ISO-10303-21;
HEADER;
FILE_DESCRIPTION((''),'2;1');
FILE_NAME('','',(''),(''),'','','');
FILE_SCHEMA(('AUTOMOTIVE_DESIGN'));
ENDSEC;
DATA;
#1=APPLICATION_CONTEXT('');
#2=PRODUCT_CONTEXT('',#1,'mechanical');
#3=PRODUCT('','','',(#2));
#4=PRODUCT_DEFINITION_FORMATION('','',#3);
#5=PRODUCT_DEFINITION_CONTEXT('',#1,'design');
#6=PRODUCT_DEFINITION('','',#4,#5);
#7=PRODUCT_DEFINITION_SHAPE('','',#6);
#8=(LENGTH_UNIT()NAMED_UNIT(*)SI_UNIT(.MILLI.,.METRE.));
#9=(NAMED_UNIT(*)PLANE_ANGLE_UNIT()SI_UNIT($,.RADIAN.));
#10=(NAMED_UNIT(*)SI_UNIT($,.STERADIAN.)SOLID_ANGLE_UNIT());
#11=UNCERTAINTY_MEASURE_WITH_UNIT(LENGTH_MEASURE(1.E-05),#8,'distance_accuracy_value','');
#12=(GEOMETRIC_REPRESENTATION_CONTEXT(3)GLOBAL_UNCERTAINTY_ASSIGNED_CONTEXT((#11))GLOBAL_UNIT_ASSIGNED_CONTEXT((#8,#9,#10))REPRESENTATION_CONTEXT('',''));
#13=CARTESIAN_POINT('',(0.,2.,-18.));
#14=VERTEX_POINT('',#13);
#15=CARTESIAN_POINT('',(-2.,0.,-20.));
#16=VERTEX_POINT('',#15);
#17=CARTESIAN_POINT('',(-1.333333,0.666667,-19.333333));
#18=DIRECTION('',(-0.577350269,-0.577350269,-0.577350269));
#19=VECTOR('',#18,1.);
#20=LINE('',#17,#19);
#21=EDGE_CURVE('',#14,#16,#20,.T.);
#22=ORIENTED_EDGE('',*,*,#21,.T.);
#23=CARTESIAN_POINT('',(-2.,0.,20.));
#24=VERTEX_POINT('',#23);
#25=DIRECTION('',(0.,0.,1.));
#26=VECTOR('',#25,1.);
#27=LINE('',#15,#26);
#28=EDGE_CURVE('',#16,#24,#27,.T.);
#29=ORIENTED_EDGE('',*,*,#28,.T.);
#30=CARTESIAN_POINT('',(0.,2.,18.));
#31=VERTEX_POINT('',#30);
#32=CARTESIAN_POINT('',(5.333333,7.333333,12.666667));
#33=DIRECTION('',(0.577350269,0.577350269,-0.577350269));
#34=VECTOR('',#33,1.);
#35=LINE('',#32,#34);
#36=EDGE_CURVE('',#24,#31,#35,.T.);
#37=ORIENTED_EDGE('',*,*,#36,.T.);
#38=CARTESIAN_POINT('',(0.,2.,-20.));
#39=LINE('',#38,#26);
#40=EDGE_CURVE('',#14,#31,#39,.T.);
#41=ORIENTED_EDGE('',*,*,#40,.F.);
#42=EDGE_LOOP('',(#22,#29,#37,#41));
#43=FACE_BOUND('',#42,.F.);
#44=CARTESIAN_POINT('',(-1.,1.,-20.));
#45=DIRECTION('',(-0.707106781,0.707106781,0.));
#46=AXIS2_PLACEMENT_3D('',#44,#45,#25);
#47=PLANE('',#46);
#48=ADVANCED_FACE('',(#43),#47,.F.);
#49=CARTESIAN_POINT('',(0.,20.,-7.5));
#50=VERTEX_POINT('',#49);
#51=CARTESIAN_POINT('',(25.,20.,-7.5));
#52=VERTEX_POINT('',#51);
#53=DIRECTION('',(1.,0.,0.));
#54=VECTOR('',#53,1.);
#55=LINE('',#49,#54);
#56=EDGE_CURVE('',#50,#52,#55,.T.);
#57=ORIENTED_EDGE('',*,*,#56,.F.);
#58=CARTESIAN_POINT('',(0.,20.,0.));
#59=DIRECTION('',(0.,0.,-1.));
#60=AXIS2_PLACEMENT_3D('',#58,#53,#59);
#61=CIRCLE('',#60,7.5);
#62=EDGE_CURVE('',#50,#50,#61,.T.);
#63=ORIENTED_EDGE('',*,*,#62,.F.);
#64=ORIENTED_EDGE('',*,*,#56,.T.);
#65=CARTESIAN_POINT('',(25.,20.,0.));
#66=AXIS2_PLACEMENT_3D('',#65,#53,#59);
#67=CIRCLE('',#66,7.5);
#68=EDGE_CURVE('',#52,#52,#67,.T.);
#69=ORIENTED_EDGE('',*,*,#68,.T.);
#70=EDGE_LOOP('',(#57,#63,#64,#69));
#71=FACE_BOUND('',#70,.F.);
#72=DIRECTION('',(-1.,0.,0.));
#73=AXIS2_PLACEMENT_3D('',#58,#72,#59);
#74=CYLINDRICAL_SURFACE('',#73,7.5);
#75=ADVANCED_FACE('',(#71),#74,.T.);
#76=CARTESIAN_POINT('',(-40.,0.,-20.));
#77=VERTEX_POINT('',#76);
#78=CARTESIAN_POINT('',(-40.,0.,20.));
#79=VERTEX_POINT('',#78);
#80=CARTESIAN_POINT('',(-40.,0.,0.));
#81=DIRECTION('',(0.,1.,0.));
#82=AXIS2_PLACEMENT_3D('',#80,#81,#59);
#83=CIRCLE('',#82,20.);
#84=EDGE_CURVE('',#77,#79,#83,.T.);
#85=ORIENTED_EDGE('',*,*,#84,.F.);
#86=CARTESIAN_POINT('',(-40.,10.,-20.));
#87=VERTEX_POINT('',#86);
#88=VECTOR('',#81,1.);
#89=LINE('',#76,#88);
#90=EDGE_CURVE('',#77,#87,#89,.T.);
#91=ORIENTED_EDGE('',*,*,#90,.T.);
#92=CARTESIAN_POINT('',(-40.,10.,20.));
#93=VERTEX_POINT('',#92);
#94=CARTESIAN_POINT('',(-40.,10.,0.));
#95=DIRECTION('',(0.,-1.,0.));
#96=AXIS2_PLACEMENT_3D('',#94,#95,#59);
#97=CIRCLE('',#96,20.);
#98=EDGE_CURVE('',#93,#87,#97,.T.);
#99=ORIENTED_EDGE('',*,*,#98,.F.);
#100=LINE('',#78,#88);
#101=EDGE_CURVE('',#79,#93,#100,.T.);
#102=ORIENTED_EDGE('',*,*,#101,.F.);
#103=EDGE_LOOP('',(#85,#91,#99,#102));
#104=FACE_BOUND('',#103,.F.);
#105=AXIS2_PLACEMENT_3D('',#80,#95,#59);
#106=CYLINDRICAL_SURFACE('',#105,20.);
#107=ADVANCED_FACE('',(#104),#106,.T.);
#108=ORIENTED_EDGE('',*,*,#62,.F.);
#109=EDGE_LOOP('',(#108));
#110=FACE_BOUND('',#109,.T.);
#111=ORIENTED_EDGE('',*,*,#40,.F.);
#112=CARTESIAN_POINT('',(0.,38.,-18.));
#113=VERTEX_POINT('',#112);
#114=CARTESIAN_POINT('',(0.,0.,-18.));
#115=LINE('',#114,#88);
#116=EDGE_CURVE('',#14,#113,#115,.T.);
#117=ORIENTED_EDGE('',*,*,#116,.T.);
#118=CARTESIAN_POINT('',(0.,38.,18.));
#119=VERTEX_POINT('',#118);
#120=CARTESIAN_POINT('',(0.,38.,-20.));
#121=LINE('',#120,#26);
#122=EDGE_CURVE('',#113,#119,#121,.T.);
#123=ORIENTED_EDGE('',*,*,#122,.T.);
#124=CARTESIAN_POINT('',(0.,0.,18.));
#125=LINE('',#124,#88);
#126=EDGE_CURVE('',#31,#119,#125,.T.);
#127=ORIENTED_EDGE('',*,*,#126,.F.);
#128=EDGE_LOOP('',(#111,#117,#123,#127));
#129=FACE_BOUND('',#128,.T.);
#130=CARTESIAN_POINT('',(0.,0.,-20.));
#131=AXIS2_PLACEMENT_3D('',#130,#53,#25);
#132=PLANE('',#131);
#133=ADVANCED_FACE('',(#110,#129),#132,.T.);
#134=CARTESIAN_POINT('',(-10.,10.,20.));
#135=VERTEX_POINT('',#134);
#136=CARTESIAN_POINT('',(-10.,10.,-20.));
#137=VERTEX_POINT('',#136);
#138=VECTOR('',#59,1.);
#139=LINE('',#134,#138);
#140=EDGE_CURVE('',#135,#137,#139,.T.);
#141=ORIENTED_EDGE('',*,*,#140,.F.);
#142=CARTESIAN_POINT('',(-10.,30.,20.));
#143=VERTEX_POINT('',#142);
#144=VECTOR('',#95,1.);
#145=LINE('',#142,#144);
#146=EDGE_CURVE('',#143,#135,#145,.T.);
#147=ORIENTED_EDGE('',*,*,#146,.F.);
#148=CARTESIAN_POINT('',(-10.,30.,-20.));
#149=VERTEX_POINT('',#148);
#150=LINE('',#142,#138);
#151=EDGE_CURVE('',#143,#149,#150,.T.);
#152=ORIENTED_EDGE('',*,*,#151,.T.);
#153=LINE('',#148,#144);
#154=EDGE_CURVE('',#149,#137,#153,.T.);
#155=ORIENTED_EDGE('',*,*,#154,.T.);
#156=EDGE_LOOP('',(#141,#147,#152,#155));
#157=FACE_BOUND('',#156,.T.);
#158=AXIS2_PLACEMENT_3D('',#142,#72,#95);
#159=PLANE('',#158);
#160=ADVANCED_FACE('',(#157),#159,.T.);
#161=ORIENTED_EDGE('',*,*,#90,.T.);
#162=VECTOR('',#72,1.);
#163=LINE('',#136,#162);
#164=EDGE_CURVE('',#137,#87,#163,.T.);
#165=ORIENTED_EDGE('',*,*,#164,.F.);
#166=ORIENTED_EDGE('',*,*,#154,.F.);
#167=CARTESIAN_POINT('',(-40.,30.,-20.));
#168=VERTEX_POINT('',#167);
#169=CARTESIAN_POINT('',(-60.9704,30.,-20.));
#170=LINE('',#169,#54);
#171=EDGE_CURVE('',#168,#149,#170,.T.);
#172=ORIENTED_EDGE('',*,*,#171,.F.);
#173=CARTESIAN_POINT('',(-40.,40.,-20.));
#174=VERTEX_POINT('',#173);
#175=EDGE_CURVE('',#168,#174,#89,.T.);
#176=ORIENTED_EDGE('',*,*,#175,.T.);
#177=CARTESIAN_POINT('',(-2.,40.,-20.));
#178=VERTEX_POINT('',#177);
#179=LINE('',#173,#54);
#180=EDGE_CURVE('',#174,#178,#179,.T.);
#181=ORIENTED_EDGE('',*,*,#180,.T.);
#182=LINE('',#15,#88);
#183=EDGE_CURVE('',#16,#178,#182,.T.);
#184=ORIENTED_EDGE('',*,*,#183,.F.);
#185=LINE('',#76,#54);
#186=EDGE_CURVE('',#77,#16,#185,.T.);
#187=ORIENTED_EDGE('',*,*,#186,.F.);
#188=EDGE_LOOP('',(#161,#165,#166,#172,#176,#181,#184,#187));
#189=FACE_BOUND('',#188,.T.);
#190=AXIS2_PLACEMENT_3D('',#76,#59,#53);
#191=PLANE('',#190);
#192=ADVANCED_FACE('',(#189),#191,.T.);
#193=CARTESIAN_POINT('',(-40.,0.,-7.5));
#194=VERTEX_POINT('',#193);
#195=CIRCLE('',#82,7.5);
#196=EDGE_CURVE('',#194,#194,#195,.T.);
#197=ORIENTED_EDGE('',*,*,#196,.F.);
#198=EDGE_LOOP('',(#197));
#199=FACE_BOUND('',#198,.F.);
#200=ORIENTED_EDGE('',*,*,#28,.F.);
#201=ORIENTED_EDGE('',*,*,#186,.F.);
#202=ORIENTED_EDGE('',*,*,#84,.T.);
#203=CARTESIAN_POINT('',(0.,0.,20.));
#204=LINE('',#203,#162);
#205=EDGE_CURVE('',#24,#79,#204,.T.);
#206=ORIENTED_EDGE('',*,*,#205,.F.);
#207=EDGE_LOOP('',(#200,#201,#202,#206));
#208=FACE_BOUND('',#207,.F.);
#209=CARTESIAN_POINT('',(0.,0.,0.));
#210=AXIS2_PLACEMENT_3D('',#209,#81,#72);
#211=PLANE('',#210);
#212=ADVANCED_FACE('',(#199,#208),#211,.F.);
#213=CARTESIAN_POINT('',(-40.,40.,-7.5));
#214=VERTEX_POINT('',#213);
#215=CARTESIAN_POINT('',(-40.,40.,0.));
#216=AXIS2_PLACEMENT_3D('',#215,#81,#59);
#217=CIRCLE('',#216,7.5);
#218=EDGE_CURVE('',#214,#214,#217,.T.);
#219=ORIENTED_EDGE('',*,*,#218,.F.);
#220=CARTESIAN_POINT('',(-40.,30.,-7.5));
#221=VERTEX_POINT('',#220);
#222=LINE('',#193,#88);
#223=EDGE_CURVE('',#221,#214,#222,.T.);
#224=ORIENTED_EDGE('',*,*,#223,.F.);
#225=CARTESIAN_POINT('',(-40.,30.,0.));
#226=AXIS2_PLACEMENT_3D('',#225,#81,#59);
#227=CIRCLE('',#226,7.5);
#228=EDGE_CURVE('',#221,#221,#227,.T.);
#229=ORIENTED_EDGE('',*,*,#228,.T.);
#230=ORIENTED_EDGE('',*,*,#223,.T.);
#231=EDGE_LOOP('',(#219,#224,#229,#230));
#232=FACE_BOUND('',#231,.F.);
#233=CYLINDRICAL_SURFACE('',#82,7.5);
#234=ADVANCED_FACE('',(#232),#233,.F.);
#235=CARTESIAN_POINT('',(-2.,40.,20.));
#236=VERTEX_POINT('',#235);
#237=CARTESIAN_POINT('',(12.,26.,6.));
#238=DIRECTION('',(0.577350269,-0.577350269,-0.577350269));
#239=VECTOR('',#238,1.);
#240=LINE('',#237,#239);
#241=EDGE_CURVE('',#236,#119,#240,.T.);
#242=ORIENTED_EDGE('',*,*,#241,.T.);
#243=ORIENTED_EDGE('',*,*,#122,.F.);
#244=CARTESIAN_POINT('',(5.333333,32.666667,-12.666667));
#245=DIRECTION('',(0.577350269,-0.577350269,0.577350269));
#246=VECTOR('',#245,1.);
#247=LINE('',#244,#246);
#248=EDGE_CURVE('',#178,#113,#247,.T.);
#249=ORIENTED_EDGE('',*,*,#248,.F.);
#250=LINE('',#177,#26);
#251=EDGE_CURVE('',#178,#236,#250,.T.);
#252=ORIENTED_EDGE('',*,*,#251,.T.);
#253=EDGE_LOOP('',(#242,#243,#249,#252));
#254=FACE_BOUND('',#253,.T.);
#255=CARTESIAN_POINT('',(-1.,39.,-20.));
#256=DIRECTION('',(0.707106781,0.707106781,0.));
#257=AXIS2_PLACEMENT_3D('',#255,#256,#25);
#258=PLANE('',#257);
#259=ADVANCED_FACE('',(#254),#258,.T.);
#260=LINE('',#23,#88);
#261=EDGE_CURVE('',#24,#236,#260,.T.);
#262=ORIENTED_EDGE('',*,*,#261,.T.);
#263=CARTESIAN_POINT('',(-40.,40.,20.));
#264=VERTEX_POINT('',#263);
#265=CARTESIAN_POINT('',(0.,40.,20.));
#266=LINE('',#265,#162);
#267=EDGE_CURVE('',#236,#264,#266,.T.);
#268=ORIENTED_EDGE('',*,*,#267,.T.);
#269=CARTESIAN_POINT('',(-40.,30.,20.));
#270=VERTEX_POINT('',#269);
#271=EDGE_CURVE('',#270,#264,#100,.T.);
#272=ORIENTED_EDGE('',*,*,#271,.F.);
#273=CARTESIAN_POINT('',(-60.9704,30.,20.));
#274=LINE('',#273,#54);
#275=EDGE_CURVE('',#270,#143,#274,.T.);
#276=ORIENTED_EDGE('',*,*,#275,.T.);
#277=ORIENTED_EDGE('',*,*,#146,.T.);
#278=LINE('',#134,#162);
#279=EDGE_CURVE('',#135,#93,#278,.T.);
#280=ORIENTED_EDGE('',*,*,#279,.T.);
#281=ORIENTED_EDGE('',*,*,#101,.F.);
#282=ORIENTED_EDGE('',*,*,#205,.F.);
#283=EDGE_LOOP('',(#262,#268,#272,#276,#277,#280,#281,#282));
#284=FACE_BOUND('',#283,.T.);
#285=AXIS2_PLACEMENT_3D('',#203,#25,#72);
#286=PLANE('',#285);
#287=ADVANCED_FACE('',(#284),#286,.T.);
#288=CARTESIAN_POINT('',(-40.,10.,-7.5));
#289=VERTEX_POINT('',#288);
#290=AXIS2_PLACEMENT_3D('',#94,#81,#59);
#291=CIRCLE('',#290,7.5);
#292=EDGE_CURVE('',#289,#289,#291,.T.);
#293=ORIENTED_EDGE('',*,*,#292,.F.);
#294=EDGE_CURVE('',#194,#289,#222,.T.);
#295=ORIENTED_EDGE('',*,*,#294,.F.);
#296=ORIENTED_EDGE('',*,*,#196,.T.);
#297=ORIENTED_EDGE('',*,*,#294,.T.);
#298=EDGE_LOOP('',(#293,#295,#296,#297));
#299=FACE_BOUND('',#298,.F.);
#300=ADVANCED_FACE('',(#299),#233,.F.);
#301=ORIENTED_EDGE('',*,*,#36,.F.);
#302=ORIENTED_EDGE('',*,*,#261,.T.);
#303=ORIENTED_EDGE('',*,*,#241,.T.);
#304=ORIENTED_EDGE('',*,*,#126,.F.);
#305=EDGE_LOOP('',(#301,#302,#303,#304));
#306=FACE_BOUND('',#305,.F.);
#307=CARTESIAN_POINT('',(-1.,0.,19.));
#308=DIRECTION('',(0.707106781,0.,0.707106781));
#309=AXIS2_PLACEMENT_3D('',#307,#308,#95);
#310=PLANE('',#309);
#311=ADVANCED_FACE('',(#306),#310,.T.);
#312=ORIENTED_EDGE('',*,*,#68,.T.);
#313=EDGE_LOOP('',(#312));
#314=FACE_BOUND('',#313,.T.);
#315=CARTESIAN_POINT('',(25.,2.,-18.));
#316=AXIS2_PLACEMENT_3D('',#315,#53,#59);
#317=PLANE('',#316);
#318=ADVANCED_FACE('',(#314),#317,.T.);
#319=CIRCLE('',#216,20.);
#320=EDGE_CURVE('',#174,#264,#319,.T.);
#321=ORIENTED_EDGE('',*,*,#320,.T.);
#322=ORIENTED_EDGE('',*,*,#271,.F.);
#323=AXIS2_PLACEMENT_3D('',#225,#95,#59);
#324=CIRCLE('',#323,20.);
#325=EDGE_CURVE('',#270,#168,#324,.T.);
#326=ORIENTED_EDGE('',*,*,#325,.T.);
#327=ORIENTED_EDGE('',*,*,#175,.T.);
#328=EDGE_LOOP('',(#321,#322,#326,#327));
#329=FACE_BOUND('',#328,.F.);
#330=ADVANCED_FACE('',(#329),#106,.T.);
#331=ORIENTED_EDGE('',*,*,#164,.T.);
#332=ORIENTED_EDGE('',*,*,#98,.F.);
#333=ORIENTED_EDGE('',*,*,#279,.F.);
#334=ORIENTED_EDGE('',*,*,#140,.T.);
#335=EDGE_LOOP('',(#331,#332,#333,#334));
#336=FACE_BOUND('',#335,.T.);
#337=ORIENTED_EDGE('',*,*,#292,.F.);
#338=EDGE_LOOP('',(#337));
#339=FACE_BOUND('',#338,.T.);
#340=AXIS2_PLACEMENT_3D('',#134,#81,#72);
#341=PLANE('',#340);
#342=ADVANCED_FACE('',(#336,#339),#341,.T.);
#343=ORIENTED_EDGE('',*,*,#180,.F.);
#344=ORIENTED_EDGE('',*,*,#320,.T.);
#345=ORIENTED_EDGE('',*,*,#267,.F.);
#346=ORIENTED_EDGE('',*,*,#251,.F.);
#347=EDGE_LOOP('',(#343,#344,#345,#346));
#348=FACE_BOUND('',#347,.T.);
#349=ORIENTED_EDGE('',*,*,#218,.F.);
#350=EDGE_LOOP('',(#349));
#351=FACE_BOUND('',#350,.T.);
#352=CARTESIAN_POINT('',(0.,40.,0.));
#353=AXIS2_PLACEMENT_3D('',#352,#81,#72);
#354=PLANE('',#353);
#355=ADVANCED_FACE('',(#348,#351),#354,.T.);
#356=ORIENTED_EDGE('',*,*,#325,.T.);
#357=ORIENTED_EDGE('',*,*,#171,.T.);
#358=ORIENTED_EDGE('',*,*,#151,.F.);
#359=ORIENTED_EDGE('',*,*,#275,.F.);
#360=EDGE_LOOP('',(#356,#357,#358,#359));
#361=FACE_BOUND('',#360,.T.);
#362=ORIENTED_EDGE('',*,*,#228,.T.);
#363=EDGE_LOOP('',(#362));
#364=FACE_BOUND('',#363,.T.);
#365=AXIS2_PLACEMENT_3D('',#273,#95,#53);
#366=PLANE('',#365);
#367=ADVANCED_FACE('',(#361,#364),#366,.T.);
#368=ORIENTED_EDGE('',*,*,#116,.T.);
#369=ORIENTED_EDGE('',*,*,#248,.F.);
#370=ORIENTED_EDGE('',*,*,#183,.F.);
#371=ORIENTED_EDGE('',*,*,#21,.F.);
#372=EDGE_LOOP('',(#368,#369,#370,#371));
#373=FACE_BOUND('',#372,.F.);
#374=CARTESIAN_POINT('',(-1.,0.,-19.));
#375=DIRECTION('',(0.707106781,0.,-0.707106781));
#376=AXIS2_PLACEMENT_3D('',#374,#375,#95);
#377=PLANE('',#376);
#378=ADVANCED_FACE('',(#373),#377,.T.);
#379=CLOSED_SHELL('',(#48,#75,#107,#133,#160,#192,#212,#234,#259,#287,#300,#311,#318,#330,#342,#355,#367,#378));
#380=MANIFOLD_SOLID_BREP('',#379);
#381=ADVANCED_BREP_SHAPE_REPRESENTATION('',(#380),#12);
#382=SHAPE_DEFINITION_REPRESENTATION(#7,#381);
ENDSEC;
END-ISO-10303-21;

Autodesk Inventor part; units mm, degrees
ref_plane "YZ Plane" through (0, 0, 0) normal (1, 0, 0) x (0, 1, 0)
ref_plane "XZ Plane" through (0, 0, 0) normal (0, 1, 0) x (-1, 0, 0)
ref_plane "XY Plane" through (0, 0, 0) normal (0, 0, 1) x (1, 0, 0)
sketch "Skizze1" plane through (0, 0, 0) normal (0, 1, 0) x (-1, 0, 0)
  line L0 (0, 20) -> (40, 20)
  line L1 (40, -20) -> (0, -20)
  line L2 (0, -20) -> (0, 20)
  arc A0 (40, -20) -> (40, 20) centre (40, 0) ccw
  line L3 (0, 0) -> (81.992, 0) construction
  point P0 (20, -20)
  dimension "d0" = 40
  dimension "d2" = 40
  dimension "d3" = 20
extrude "Extrusion1" add sketch "Skizze1" along normal blind 40
sketch "Skizze2" plane through (0, 0, 0) normal (0, -1, 0) x (1, 0, 0)
  arc A0 (-40, 20) -> (-40, -20) centre (-40, 0) ccw projected
  point P0 (0, 0)
hole "Bohrung1" at (-40, 0, 0) direction (0, 1, 0) diameter 15 depth 40
sketch "Skizze3" plane through (-40, 0, 20) normal (0, 0, 1) x (1, 0, 0)
  line L0 (30, 10) -> (-20.9704, 10)
  line L1 (-20.9704, 10) -> (-20.9704, 30)
  line L2 (-20.9704, 30) -> (30, 30)
  line L3 (30, 30) -> (30, 10)
  line L4 (40, 0) -> (40, 40) projected
  point P0 (30, 20)
  point P1 (40, 20)
  dimension "d13" = 10
  dimension "d14" = 20
extrude "Extrusion2" cut sketch "Skizze3" against normal up to surface (40 mm away)
chamfer "Fasen1" distance 2 angle 45 4 edges at (0, 20, 20) (0, 40, 0) (0, 20, -20) (0, 0, 0)
sketch "Skizze4" plane through (0, 2, -18) normal (1, 0, 0) x (0, 0, -1)
  circle A0 centre (-18, 18) radius 7.5
  line L0 (0, 36) -> (0, 0) projected
  line L1 (-38, -2) -> (2, -2) projected
  point P0 (-18, -2)
  point P1 (0, 18)
  point P2 (-18, -2)
  dimension "d20" = 15
extrude "Extrusion3" add sketch "Skizze4" along normal blind 25
properties part number "6" material "Kupfer, Legierung"
